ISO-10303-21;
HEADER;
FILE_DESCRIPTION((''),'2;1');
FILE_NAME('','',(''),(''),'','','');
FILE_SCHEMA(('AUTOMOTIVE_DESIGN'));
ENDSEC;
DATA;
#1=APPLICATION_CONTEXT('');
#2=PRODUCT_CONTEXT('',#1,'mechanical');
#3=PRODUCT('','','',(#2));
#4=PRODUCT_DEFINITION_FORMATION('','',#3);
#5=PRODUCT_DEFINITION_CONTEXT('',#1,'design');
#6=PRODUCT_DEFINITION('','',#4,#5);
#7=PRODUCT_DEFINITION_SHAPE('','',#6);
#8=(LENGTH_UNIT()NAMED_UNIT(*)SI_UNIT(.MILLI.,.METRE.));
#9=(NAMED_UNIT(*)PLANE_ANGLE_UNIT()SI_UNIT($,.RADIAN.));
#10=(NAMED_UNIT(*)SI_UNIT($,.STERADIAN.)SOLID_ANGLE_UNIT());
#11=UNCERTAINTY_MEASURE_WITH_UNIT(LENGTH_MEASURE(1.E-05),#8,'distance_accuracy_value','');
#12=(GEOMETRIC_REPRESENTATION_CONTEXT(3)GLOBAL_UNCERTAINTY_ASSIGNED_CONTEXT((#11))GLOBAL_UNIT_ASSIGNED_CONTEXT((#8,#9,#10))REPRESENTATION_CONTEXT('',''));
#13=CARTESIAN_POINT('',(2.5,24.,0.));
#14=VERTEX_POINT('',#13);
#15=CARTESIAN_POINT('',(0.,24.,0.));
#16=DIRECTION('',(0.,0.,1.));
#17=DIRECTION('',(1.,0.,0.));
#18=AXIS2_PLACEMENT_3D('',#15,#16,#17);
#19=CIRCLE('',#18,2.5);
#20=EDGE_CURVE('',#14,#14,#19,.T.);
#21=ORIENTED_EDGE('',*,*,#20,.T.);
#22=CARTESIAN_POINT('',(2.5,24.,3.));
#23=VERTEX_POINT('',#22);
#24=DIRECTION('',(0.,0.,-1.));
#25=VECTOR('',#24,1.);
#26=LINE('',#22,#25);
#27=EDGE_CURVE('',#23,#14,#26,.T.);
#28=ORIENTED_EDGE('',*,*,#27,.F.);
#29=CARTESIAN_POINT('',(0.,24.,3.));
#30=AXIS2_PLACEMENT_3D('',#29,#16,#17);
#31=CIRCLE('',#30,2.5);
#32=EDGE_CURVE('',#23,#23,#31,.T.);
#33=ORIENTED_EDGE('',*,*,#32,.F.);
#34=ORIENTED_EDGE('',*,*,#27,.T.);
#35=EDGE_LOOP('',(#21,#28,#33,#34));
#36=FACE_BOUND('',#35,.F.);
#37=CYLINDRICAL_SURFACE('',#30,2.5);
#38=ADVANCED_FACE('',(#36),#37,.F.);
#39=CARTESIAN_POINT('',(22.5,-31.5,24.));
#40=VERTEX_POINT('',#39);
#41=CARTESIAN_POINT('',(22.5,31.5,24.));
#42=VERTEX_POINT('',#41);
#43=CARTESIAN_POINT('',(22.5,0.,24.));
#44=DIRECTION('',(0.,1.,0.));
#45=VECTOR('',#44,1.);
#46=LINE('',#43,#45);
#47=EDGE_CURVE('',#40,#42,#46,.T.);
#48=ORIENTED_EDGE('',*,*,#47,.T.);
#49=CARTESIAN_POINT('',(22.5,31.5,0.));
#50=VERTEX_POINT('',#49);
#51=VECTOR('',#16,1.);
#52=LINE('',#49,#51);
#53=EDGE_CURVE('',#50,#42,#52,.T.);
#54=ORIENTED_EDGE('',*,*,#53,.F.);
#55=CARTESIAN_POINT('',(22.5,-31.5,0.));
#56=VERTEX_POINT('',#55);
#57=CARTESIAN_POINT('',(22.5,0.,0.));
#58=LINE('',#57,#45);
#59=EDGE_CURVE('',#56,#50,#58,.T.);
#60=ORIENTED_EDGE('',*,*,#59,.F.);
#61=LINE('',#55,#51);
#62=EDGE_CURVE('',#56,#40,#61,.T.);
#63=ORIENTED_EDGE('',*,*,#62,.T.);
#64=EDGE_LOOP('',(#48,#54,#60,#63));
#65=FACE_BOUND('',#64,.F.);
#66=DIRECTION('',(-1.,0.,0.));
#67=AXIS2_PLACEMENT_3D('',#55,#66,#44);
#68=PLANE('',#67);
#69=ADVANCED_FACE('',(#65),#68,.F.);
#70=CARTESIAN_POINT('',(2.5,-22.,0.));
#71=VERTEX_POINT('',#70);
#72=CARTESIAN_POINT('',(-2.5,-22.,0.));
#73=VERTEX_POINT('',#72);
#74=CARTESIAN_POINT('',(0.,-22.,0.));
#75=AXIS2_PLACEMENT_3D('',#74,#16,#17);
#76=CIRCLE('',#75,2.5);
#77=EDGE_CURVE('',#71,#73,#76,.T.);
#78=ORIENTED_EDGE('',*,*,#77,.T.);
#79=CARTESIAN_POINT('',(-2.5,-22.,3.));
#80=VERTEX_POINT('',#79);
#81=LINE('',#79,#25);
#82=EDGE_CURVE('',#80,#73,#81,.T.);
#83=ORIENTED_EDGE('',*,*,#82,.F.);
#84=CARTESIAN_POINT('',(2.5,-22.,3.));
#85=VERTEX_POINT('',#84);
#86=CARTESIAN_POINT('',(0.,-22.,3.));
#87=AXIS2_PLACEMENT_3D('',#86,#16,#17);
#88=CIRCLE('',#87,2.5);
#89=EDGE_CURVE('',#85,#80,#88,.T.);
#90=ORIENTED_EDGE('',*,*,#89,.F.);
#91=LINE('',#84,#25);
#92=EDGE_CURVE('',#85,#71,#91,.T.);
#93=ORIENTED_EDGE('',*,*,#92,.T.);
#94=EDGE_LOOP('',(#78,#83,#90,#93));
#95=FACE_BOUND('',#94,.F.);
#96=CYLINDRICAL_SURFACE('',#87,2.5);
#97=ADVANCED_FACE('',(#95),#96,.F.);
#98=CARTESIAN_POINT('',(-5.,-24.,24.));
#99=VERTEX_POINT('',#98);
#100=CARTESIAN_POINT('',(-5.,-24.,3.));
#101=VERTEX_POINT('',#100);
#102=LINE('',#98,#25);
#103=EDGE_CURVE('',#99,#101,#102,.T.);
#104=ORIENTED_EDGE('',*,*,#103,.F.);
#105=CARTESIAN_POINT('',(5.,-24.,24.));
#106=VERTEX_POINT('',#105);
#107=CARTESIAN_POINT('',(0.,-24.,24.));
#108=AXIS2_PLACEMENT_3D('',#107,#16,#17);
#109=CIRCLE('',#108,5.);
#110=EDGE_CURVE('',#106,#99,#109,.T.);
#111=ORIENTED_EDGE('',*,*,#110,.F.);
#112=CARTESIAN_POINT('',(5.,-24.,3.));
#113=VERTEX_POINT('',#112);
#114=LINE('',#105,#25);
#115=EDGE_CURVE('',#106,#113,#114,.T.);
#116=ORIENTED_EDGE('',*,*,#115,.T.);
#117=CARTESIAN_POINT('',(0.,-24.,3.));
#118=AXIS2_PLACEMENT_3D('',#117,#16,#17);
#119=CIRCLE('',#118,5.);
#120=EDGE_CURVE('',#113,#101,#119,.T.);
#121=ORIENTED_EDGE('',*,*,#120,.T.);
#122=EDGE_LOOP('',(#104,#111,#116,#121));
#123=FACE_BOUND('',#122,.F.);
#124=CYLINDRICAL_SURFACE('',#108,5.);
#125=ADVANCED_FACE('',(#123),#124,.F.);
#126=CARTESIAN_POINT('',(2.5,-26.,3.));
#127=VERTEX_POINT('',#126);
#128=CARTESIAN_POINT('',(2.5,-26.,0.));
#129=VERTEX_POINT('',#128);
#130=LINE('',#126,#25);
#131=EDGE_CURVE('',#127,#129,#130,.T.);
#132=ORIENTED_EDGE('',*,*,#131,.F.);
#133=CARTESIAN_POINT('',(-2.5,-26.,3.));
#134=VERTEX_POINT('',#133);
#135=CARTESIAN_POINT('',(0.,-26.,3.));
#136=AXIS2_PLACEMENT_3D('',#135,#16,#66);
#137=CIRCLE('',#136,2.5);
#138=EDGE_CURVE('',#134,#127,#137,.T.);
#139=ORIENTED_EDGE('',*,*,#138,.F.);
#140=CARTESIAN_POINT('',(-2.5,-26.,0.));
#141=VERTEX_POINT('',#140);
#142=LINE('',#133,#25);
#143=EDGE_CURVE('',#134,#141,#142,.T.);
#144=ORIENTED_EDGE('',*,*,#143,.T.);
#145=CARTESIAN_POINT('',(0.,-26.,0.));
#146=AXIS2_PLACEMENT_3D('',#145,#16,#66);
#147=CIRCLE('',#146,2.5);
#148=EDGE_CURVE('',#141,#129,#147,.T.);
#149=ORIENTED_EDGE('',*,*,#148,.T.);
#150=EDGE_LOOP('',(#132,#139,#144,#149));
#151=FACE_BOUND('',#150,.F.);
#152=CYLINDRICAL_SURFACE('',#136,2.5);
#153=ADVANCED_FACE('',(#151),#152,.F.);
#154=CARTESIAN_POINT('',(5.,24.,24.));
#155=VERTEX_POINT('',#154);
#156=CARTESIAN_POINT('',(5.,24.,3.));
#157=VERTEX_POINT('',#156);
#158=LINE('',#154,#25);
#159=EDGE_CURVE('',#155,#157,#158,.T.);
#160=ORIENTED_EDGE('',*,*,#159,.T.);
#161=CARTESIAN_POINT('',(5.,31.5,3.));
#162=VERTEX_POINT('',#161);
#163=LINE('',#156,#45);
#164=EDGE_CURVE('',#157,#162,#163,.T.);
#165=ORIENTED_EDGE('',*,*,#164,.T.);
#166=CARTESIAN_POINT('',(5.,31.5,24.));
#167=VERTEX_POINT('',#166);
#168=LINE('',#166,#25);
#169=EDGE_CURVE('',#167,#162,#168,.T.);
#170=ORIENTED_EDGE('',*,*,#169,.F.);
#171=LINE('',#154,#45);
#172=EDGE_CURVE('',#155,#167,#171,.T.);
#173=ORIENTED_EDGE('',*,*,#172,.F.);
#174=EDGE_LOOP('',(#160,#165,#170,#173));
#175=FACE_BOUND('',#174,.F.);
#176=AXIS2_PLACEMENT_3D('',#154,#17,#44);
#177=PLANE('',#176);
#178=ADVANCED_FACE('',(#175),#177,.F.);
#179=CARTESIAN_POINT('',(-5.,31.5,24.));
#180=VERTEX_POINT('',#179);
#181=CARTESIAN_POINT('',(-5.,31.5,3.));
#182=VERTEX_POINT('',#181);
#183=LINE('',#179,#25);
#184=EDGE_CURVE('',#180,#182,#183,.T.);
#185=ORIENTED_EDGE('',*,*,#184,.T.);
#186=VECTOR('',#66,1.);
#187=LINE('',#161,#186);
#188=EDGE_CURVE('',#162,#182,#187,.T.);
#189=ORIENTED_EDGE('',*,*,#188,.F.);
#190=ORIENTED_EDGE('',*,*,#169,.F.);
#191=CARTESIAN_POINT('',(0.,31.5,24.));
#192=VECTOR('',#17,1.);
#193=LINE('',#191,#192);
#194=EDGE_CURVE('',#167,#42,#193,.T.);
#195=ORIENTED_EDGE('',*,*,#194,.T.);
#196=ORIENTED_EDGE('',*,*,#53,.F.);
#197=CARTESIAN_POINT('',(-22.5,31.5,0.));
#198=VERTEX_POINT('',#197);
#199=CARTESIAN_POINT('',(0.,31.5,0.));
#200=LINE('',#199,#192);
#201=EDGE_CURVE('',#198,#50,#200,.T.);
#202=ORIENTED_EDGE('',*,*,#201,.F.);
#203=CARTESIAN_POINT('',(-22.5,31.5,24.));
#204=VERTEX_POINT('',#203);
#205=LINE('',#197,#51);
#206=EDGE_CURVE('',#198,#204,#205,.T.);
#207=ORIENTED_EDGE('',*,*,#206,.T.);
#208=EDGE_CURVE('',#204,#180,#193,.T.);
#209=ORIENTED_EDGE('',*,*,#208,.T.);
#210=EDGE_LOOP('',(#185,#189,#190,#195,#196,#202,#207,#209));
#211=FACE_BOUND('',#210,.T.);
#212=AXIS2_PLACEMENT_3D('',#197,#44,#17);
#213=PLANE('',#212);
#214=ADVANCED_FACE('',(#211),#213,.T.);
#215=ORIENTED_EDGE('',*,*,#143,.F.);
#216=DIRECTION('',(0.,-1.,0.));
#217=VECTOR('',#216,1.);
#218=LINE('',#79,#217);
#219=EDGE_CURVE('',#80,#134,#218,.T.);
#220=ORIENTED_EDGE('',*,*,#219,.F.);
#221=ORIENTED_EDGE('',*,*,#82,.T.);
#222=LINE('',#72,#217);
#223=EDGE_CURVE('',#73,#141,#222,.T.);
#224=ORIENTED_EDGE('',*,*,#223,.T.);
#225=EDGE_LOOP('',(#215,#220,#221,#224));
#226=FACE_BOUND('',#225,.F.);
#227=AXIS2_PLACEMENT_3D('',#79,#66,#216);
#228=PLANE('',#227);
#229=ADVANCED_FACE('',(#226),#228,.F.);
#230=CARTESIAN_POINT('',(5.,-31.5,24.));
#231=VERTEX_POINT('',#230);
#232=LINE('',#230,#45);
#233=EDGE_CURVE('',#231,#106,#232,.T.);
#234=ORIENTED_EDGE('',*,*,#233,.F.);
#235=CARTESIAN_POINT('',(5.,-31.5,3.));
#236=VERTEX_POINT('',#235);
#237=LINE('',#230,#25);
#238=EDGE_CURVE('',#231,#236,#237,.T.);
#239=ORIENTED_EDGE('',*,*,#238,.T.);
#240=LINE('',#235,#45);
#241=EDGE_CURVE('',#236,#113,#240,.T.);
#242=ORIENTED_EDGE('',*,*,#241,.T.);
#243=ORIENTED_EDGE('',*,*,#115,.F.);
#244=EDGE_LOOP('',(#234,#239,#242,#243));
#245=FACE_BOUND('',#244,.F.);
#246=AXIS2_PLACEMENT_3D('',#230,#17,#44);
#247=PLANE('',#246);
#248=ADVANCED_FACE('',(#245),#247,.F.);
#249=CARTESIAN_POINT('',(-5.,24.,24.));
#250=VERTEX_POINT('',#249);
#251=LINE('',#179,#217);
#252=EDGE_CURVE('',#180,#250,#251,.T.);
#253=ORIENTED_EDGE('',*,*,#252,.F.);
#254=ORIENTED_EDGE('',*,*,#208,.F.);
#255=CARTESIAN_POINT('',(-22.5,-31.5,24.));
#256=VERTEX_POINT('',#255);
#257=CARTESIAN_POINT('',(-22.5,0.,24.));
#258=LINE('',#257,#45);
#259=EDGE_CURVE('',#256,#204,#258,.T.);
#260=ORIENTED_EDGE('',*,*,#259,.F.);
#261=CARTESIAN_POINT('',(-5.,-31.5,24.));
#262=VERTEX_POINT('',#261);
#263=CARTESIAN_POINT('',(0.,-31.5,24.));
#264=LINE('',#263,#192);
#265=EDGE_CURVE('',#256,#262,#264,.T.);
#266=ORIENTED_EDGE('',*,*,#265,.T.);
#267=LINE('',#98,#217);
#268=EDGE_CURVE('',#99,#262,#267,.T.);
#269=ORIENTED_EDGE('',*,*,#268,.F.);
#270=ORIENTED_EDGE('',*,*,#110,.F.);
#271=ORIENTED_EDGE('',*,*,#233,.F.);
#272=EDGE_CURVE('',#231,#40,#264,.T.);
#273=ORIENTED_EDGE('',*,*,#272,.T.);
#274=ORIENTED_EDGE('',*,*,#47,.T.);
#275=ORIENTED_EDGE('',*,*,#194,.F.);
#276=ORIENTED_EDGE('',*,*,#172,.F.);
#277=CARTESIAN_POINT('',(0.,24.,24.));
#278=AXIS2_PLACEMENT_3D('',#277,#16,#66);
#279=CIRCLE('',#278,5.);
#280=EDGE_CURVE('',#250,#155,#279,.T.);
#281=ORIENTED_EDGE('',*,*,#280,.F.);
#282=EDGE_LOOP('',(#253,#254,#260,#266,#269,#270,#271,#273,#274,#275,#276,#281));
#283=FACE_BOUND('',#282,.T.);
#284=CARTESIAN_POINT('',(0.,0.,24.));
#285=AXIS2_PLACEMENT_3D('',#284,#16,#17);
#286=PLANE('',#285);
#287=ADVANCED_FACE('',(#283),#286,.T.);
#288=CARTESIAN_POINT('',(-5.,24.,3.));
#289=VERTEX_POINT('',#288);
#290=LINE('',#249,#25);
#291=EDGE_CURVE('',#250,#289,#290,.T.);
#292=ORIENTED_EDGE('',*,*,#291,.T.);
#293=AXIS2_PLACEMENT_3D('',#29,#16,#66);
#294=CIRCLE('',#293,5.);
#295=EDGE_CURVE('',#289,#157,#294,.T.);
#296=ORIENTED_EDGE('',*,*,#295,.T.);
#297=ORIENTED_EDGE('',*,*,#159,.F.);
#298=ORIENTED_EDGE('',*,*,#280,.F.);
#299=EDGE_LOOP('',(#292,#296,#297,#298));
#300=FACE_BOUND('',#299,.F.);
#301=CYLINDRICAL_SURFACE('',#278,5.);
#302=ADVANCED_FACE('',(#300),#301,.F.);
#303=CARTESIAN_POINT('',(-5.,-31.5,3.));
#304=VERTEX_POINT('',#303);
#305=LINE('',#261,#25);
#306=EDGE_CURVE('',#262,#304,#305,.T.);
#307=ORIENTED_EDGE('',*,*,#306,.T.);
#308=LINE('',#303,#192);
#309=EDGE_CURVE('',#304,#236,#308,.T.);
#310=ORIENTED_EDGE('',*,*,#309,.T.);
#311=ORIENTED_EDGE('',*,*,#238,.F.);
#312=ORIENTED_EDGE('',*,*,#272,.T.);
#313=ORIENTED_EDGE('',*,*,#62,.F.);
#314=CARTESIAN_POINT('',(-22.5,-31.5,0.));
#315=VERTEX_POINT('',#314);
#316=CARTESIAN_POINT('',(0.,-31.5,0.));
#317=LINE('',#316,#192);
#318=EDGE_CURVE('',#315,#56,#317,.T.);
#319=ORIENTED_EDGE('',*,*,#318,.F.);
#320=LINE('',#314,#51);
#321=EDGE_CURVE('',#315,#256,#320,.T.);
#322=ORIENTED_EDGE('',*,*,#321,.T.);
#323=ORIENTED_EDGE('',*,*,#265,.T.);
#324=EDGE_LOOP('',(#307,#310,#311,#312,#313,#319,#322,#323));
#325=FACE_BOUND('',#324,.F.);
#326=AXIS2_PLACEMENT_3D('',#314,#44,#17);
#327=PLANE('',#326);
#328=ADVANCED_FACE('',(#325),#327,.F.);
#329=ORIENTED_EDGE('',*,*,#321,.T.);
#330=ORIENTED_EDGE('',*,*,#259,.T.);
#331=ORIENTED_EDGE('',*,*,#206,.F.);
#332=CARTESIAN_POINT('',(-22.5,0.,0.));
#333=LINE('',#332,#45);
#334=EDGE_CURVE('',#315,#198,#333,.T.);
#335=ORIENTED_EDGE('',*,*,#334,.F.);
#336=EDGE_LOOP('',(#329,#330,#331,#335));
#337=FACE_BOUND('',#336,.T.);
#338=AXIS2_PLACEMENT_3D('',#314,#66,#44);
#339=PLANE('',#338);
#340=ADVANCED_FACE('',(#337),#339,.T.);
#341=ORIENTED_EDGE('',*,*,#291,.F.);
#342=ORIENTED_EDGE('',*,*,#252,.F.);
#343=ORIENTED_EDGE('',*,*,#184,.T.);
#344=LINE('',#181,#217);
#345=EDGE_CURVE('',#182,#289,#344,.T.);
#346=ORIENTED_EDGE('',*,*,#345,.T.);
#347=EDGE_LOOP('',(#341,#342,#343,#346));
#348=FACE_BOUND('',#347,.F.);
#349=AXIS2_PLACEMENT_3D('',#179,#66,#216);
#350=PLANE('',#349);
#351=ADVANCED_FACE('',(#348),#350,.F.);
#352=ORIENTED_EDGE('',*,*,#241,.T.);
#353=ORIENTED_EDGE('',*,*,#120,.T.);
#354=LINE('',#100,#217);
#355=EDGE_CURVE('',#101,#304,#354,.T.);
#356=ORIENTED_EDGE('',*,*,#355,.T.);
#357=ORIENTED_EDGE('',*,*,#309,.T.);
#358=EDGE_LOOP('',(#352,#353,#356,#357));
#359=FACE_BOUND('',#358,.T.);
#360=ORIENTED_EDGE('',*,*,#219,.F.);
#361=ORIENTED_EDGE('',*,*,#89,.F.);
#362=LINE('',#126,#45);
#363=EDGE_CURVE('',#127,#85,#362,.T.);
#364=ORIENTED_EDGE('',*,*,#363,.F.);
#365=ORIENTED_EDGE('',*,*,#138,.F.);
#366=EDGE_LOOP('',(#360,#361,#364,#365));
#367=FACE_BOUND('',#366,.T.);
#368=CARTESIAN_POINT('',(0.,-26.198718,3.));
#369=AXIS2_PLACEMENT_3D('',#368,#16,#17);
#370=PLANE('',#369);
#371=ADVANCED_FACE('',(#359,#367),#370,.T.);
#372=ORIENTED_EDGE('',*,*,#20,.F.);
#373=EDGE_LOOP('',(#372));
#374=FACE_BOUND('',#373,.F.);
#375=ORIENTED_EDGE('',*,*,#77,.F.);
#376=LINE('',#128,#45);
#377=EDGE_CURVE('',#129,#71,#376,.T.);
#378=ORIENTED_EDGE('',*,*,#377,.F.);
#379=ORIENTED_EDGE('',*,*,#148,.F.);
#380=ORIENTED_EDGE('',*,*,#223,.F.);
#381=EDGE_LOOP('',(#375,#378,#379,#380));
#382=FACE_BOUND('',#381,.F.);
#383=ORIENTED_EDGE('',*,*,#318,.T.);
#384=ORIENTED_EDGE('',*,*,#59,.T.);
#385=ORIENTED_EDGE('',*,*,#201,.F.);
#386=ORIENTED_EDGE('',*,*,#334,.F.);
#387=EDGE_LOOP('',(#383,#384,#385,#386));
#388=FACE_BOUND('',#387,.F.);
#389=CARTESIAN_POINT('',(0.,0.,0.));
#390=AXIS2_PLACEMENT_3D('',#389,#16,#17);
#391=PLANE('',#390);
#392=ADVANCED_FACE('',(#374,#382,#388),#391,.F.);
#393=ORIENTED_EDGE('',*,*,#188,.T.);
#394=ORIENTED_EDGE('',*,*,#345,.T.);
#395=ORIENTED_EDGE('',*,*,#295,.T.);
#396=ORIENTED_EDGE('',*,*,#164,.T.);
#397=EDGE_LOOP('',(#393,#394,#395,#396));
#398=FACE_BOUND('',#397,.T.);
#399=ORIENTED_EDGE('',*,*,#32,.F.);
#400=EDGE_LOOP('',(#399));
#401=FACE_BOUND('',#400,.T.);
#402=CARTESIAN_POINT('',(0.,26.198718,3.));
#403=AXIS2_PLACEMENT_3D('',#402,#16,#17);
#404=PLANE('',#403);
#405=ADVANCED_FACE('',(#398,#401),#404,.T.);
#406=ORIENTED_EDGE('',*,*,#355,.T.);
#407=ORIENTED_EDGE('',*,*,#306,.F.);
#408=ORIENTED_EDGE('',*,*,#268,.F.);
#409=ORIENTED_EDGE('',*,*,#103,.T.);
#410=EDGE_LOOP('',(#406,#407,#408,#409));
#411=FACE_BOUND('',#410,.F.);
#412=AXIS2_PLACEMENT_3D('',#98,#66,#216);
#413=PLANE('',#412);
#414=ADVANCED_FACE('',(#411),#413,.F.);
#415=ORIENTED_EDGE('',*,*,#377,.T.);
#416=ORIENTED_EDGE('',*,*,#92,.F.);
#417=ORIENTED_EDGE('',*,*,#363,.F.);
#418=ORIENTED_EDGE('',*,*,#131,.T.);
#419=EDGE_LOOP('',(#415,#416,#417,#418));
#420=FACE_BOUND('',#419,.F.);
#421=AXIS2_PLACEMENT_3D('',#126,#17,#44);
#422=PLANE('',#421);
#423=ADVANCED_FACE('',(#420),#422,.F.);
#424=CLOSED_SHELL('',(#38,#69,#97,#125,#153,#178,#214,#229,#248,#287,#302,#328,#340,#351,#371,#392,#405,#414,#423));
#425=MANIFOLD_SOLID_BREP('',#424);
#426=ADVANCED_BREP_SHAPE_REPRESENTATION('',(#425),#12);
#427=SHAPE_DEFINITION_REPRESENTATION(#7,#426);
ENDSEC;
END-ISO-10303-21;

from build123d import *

# Parameters (mm, degrees)
F0_W     = 45
F0_H     = 63
F1_DEPTH = 24
F3_DEPTH = 21
F4_R     = 2.5
F5_DEPTH = 3


with BuildPart() as f1:
    # F0 (on Top) → F1 (new body)
    with BuildSketch(Plane.XY):
        Rectangle(F0_W, F0_H)
    extrude(amount=F1_DEPTH)

    # F2 (on face) → F3 (cut)
    with BuildSketch(Plane.XY.offset(24)):
        with BuildLine():
            Line((5, 31.5), (-5, 31.5))
            Line((-5, 31.5), (-5, 24))
            ThreePointArc((-5, 24), (0, 19), (5, 24))
            Line((5, 24), (5, 31.5))
        make_face()
        with BuildLine():
            Line((-5, -24), (-5, -31.5))
            Line((-5, -31.5), (5, -31.5))
            Line((5, -31.5), (5, -24))
            ThreePointArc((5, -24), (0, -19), (-5, -24))
        make_face()
    extrude(amount=-F3_DEPTH, mode=Mode.SUBTRACT)

    # F4 (on face) → F5 (cut, through all)
    with BuildSketch(Plane.XY.offset(3)):
        with Locations((0, 24)):
            Circle(F4_R)
        with BuildLine():
            Line((2.5, -26), (2.5, -22))
            ThreePointArc((2.5, -22), (0, -19.5), (-2.5, -22))
            Line((-2.5, -22), (-2.5, -26))
            ThreePointArc((-2.5, -26), (0, -28.5), (2.5, -26))
        make_face()
    extrude(amount=-F5_DEPTH, mode=Mode.SUBTRACT)


solid = f1.part
